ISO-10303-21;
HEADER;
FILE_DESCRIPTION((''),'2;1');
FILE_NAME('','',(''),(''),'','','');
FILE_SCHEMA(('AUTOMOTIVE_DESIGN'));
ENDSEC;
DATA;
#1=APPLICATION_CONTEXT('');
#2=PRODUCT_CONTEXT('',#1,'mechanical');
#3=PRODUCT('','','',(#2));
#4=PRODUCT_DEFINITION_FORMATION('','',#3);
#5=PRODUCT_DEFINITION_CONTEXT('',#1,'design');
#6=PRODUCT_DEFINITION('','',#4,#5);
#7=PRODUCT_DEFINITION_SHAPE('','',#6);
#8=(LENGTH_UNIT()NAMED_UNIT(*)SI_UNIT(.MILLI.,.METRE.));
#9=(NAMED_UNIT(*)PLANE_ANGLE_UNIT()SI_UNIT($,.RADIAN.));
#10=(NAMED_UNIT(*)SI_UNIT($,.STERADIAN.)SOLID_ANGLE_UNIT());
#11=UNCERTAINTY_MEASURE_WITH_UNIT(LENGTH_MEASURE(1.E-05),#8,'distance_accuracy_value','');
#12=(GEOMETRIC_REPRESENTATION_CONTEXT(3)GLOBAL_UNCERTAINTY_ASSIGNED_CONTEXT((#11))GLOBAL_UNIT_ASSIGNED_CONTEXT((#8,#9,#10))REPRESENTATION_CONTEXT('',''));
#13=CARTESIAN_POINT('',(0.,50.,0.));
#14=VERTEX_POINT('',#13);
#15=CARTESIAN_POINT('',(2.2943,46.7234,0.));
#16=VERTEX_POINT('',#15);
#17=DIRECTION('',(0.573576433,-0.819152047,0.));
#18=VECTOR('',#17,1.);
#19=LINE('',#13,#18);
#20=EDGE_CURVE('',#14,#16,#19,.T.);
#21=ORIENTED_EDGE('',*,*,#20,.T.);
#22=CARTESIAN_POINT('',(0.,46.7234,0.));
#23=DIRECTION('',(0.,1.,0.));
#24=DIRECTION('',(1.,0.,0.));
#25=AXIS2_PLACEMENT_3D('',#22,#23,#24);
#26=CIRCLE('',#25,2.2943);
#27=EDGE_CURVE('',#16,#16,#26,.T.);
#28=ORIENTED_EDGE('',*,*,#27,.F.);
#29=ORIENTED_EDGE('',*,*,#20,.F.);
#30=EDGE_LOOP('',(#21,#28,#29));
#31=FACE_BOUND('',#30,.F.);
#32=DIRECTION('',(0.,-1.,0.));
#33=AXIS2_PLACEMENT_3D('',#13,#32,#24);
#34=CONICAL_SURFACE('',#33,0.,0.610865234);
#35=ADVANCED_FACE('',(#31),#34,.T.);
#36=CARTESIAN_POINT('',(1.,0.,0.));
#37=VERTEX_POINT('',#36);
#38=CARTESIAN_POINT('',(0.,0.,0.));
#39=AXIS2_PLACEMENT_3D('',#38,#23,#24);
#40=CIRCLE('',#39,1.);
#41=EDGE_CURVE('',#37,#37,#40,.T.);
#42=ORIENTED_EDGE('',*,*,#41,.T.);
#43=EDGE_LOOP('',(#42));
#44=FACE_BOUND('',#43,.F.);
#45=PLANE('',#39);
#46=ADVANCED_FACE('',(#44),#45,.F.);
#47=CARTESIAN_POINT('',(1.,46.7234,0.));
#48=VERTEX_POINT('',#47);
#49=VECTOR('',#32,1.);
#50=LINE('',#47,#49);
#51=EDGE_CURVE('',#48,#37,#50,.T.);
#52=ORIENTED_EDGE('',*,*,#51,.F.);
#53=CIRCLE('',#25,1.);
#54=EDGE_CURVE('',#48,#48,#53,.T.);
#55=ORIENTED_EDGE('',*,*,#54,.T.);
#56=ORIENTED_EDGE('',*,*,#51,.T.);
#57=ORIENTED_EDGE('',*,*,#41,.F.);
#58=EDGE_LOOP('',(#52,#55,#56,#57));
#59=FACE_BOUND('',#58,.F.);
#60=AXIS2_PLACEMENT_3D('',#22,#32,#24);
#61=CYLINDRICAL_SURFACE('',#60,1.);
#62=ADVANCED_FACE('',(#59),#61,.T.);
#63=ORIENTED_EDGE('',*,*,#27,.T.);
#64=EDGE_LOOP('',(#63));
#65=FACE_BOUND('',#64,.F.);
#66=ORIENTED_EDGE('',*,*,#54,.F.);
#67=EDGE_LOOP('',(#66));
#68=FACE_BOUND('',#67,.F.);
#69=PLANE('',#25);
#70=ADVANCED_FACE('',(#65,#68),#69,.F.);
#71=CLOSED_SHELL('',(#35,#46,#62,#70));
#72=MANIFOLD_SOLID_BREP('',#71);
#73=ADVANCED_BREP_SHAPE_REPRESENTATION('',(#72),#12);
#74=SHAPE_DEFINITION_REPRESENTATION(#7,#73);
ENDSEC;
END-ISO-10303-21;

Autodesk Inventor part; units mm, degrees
ref_plane "YZ Plane" through (0, 0, 0) normal (1, 0, 0) x (0, 1, 0)
ref_plane "XZ Plane" through (0, 0, 0) normal (0, 1, 0) x (-1, 0, 0)
ref_plane "XY Plane" through (0, 0, 0) normal (0, 0, 1) x (1, 0, 0)
sketch "Sketch1" plane through (0, 0, 0) normal (0, 0, 1) x (1, 0, 0)
  line L0 (0, 0) -> (0, 50)
  line L1 (0, 50) -> (2.2943, 46.7234)
  line L2 (0, 50) -> (4, 50) construction
  line L3 (2.2943, 46.7234) -> (1, 46.7234)
  line L4 (1, 46.7234) -> (1, 0)
  line L5 (1, 0) -> (0, 0)
  dimension "d0" = 50
  dimension "d1" = 4
  dimension "d2" = 55
  dimension "d3" = 2
revolve "Revolution1" add sketch "Sketch1" angle 360 about axis through (0, 0, 0) along (0, 1, 0)
properties part number "Arrow"
